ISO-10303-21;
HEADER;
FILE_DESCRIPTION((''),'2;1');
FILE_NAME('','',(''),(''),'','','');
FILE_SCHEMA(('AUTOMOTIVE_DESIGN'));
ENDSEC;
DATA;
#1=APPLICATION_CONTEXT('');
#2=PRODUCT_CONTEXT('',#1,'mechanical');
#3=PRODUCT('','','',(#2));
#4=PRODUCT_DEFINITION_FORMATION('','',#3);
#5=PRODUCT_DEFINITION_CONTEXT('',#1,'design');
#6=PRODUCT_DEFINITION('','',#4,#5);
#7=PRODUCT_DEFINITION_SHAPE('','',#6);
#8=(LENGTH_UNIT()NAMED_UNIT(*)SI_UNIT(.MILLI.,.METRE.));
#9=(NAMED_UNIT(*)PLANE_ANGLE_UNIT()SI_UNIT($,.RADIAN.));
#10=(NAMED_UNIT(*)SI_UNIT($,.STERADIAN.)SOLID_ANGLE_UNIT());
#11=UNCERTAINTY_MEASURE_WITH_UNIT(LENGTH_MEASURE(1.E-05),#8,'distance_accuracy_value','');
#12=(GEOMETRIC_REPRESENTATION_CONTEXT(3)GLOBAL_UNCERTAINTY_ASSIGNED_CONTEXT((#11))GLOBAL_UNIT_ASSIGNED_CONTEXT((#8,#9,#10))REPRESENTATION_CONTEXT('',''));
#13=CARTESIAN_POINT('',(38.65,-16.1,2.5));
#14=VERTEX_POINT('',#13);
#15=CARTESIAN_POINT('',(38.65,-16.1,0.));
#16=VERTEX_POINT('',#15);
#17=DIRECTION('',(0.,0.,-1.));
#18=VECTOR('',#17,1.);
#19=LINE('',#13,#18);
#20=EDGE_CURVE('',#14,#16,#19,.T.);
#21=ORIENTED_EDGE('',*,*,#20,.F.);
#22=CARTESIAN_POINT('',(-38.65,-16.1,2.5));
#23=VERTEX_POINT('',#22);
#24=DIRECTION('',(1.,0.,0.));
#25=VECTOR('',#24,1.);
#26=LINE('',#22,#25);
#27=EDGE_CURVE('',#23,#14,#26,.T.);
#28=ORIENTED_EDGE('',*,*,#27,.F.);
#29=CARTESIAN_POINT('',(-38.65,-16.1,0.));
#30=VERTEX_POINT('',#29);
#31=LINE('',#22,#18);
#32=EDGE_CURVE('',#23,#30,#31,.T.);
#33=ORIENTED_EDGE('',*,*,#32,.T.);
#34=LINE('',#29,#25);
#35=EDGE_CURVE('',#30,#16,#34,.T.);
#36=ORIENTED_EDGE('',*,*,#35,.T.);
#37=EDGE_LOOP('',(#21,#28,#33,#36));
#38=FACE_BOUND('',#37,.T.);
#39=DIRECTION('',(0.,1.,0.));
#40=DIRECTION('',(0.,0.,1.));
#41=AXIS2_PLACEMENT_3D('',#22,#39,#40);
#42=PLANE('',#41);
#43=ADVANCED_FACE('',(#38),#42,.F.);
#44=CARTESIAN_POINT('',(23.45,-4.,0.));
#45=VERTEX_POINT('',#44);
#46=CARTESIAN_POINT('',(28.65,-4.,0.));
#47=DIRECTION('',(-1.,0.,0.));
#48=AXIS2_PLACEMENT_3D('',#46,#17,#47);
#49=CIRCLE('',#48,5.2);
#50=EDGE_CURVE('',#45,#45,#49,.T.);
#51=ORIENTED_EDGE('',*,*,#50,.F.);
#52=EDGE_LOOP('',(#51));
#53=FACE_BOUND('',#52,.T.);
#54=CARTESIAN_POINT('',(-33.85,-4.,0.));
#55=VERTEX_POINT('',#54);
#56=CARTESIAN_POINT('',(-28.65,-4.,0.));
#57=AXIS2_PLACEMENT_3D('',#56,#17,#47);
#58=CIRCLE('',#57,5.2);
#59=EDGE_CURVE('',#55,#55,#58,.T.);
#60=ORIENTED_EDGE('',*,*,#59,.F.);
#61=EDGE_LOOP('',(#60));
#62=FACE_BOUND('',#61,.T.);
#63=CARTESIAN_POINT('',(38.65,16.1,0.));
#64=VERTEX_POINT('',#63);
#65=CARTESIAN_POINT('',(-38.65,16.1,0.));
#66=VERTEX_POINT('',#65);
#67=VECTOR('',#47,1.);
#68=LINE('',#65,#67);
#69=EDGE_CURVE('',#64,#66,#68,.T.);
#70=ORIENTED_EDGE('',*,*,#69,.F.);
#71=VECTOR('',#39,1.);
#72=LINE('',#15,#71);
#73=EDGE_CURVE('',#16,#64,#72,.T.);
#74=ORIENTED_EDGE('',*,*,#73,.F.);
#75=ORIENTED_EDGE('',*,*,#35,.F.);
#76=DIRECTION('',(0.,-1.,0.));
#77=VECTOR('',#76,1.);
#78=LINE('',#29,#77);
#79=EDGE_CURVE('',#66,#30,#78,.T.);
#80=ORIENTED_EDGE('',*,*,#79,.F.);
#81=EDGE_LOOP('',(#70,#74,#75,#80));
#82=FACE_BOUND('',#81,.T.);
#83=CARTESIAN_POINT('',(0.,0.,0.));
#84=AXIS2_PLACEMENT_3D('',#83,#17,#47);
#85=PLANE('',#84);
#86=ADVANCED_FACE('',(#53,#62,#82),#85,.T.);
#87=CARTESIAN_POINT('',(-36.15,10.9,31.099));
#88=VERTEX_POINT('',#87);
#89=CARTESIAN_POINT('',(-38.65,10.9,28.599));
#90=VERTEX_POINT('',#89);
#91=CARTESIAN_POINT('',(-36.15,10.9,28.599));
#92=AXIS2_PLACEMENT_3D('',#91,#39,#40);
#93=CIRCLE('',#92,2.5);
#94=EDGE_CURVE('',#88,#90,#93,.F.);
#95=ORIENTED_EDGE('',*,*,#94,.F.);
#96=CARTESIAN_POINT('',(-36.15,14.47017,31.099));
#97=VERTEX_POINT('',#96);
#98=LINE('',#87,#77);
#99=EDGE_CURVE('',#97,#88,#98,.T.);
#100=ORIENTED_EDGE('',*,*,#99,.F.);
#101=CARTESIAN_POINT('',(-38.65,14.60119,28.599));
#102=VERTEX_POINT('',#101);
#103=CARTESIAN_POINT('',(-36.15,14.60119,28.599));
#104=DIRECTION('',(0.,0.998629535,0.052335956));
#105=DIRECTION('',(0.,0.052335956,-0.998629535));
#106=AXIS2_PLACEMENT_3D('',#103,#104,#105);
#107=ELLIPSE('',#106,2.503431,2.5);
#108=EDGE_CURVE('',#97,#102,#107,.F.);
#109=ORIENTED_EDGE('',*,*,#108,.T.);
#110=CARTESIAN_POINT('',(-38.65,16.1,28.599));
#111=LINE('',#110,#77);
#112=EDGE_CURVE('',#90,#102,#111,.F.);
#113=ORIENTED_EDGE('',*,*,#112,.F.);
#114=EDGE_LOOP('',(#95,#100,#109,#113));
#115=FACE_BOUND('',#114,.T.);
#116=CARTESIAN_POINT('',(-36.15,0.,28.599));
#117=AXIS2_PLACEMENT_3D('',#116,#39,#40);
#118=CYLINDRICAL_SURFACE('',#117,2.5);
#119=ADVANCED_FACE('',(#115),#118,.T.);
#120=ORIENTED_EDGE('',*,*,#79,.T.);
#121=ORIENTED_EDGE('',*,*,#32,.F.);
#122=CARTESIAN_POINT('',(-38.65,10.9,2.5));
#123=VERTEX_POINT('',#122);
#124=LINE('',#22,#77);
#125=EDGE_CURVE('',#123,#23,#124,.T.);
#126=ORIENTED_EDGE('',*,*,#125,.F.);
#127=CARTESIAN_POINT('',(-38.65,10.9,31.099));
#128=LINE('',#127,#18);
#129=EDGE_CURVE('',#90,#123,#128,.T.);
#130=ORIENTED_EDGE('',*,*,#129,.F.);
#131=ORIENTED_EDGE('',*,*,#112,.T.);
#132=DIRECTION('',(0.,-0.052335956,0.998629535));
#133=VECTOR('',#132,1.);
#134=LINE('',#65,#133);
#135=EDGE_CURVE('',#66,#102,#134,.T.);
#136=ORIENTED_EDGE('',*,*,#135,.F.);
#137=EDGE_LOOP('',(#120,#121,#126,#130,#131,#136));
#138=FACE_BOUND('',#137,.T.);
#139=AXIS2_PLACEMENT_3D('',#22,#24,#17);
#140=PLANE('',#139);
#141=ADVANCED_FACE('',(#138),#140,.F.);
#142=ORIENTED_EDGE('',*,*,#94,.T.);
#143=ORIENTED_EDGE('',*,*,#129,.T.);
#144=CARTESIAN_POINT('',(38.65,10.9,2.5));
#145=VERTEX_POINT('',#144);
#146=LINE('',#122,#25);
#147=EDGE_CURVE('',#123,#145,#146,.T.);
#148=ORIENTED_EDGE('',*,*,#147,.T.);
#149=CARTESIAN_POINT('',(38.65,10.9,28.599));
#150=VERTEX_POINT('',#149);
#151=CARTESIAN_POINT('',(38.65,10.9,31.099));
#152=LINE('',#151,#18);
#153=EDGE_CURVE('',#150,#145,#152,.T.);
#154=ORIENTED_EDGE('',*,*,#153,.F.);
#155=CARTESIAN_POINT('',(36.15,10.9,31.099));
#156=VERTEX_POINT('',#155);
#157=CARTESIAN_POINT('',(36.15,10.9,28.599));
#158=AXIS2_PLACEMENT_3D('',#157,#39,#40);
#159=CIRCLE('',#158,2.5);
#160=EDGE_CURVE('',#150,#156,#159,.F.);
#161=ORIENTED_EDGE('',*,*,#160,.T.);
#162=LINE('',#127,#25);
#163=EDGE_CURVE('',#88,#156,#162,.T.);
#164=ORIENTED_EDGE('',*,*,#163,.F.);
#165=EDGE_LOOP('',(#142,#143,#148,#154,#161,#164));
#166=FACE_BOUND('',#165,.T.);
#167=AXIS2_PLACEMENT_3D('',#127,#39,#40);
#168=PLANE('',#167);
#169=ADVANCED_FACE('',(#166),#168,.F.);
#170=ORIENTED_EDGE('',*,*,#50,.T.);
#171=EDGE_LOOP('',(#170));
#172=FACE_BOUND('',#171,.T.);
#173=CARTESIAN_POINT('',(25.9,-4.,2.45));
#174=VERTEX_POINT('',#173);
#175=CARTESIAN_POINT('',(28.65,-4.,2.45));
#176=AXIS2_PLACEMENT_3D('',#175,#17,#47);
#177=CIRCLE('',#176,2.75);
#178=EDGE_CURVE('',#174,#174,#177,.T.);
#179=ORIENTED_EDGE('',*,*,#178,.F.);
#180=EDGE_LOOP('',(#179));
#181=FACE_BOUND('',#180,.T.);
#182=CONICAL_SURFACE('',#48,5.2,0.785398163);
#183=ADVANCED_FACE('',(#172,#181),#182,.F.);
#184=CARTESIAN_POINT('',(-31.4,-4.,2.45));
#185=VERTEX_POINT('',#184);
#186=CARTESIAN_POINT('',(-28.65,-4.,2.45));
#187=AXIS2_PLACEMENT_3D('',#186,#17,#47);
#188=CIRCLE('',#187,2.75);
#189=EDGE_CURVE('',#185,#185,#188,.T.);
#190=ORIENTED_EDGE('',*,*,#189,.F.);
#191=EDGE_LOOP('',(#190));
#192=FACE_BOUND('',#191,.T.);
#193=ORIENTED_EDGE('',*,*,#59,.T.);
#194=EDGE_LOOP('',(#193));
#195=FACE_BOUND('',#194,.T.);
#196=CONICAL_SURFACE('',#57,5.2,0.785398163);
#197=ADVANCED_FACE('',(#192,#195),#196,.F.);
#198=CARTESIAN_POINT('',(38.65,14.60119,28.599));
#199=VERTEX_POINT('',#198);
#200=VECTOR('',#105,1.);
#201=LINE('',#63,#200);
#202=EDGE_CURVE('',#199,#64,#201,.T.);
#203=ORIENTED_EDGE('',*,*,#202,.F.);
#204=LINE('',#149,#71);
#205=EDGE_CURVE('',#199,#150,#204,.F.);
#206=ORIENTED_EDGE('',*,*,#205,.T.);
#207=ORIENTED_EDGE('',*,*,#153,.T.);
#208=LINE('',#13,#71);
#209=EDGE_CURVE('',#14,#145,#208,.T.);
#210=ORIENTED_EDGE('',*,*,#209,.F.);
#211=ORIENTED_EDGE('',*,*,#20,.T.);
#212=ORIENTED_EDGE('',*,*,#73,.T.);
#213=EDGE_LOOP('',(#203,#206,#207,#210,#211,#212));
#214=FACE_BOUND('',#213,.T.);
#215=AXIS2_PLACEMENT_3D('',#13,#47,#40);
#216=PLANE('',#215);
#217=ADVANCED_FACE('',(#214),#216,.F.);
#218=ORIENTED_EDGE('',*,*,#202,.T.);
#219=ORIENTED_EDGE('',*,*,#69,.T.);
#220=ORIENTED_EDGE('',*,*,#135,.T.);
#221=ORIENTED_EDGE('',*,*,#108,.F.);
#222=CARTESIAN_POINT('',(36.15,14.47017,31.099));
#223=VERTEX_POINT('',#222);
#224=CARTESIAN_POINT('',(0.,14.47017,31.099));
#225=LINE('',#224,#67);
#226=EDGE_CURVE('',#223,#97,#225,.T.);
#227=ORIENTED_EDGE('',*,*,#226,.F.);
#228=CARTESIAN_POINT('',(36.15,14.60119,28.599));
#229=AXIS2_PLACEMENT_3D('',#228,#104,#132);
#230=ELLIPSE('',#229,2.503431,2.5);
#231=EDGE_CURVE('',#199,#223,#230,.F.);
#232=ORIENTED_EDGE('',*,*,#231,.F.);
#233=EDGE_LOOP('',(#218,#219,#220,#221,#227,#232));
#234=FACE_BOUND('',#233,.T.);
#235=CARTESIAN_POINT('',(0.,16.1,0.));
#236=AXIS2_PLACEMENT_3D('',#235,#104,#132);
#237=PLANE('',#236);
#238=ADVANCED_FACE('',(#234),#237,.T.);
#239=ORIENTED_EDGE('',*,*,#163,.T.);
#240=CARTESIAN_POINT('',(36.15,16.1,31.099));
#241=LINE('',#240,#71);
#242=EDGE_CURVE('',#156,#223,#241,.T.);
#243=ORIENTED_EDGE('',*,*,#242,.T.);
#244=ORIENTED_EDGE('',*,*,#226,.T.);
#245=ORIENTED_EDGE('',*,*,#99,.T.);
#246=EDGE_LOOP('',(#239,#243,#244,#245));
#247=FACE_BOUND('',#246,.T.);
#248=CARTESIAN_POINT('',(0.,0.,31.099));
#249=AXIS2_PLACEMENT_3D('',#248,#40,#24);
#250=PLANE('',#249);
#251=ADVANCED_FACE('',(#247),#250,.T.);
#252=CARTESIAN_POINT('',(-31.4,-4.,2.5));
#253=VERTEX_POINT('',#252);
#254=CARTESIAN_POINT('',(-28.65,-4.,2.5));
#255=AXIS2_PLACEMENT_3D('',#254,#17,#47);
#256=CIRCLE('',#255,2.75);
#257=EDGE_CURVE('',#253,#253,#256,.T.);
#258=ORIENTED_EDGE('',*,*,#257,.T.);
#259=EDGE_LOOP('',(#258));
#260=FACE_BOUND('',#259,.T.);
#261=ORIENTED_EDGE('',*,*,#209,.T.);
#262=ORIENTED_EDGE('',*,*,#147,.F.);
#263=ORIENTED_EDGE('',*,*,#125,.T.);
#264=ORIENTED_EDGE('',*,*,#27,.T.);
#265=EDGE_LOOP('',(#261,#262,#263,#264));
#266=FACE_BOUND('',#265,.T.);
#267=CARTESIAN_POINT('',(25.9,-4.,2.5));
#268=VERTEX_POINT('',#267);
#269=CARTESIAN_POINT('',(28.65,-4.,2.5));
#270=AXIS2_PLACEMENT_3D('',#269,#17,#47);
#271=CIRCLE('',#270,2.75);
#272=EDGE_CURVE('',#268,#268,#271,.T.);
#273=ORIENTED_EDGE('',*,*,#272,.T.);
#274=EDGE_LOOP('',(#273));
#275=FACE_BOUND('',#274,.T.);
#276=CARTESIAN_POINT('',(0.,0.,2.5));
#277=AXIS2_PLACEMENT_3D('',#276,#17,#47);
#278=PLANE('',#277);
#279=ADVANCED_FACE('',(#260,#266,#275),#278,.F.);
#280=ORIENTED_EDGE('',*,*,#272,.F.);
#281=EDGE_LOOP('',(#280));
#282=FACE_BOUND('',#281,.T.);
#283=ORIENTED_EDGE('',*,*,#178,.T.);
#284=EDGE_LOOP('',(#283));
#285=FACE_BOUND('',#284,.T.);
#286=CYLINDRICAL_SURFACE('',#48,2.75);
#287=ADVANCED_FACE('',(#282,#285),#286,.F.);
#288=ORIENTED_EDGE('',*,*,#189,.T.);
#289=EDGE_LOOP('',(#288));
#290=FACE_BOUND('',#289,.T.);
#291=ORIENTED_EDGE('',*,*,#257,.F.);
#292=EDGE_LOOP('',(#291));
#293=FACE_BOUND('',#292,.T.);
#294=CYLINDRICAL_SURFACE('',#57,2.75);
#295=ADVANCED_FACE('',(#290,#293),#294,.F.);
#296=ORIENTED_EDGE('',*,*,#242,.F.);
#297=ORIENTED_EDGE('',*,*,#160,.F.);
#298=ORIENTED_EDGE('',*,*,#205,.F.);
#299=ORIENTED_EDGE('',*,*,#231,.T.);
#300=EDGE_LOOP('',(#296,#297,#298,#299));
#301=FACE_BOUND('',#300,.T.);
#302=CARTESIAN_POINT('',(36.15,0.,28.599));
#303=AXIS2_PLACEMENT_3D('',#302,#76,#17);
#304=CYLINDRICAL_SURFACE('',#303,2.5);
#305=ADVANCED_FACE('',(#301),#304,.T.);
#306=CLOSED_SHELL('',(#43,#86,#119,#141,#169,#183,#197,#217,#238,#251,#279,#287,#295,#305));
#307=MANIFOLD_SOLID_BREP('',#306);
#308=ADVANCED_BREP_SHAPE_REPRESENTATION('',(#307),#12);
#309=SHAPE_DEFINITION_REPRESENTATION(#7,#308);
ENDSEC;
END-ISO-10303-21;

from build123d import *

# Parameters (mm, degrees)
SKETCH1_W                                       = 77.3
SKETCH1_H                                       = 32.2
BOSS_EXTRUDE1_DEPTH                             = 2.5
SKETCH3_W                                       = 77.3
SKETCH3_H                                       = 5.2
BOSS_EXTRUDE2_DEPTH                             = 28.599
FILLET1_R                                       = 2.5
SKETCH4_W                                       = 77.3
SKETCH4_H                                       = 37.342788029
CUT_REVOLVE2_ANGLE                              = 3
CSK_FOR_M5_FLAT_HEAD_MACHINE_SCREW1_D           = 5.5
CSK_FOR_M5_FLAT_HEAD_MACHINE_SCREW1_DEPTH       = 12.4
CSK_FOR_M5_FLAT_HEAD_MACHINE_SCREW1_CSINK_D     = 10.4
CSK_FOR_M5_FLAT_HEAD_MACHINE_SCREW1_CSINK_ANGLE = 90
CSK_FOR_M5_FLAT_HEAD_MACHINE_SCREW1_TIP         = 1.652366702


with BuildPart() as part:
    # Sketch1 → Boss-Extrude1 (new body)
    with BuildSketch(Plane.XY):
        Rectangle(SKETCH1_W, SKETCH1_H)
    extrude(amount=BOSS_EXTRUDE1_DEPTH)

    # Sketch3 → Boss-Extrude2 (add)
    with BuildSketch(Plane.XY.offset(2.5)):
        with Locations((0, 13.5)):
            Rectangle(SKETCH3_W, SKETCH3_H)
    extrude(amount=BOSS_EXTRUDE2_DEPTH)

    # Fillet1
    fillet1_edges = [part.edges().sort_by_distance(p)[0] for p in [
        (-38.65, 13.5, 31.099),
        (38.65, 13.5, 31.099),
    ]]
    fillet(fillet1_edges, radius=FILLET1_R)

    # Sketch4 → Cut-Revolve2 (revolve, cut)
    with BuildSketch(Plane(origin=(0, 16.1, 0), x_dir=(1, 0, 0), z_dir=(0, 1, 0))):
        with Locations((0, -18.671394015)):
            Rectangle(SKETCH4_W, SKETCH4_H)
    revolve(axis=Axis((-38.65, 16.1, 0), (1, 0, 0)), revolution_arc=CUT_REVOLVE2_ANGLE, mode=Mode.SUBTRACT)

    # CSK for M5 Flat Head Machine Screw1
    with Locations(Plane(origin=(0, 0, 0), x_dir=(-1, 0, 0), z_dir=(0, 0, -1))):
        with Locations((-28.65, -4), (28.65, -4)):
            CounterSinkHole(CSK_FOR_M5_FLAT_HEAD_MACHINE_SCREW1_D / 2, CSK_FOR_M5_FLAT_HEAD_MACHINE_SCREW1_CSINK_D / 2, depth=CSK_FOR_M5_FLAT_HEAD_MACHINE_SCREW1_DEPTH, counter_sink_angle=CSK_FOR_M5_FLAT_HEAD_MACHINE_SCREW1_CSINK_ANGLE)
            with Locations((0, 0, -(CSK_FOR_M5_FLAT_HEAD_MACHINE_SCREW1_DEPTH + CSK_FOR_M5_FLAT_HEAD_MACHINE_SCREW1_TIP / 2))):  # 118° drill point
                Cone(0, CSK_FOR_M5_FLAT_HEAD_MACHINE_SCREW1_D / 2, CSK_FOR_M5_FLAT_HEAD_MACHINE_SCREW1_TIP, mode=Mode.SUBTRACT)


solid = part.part
